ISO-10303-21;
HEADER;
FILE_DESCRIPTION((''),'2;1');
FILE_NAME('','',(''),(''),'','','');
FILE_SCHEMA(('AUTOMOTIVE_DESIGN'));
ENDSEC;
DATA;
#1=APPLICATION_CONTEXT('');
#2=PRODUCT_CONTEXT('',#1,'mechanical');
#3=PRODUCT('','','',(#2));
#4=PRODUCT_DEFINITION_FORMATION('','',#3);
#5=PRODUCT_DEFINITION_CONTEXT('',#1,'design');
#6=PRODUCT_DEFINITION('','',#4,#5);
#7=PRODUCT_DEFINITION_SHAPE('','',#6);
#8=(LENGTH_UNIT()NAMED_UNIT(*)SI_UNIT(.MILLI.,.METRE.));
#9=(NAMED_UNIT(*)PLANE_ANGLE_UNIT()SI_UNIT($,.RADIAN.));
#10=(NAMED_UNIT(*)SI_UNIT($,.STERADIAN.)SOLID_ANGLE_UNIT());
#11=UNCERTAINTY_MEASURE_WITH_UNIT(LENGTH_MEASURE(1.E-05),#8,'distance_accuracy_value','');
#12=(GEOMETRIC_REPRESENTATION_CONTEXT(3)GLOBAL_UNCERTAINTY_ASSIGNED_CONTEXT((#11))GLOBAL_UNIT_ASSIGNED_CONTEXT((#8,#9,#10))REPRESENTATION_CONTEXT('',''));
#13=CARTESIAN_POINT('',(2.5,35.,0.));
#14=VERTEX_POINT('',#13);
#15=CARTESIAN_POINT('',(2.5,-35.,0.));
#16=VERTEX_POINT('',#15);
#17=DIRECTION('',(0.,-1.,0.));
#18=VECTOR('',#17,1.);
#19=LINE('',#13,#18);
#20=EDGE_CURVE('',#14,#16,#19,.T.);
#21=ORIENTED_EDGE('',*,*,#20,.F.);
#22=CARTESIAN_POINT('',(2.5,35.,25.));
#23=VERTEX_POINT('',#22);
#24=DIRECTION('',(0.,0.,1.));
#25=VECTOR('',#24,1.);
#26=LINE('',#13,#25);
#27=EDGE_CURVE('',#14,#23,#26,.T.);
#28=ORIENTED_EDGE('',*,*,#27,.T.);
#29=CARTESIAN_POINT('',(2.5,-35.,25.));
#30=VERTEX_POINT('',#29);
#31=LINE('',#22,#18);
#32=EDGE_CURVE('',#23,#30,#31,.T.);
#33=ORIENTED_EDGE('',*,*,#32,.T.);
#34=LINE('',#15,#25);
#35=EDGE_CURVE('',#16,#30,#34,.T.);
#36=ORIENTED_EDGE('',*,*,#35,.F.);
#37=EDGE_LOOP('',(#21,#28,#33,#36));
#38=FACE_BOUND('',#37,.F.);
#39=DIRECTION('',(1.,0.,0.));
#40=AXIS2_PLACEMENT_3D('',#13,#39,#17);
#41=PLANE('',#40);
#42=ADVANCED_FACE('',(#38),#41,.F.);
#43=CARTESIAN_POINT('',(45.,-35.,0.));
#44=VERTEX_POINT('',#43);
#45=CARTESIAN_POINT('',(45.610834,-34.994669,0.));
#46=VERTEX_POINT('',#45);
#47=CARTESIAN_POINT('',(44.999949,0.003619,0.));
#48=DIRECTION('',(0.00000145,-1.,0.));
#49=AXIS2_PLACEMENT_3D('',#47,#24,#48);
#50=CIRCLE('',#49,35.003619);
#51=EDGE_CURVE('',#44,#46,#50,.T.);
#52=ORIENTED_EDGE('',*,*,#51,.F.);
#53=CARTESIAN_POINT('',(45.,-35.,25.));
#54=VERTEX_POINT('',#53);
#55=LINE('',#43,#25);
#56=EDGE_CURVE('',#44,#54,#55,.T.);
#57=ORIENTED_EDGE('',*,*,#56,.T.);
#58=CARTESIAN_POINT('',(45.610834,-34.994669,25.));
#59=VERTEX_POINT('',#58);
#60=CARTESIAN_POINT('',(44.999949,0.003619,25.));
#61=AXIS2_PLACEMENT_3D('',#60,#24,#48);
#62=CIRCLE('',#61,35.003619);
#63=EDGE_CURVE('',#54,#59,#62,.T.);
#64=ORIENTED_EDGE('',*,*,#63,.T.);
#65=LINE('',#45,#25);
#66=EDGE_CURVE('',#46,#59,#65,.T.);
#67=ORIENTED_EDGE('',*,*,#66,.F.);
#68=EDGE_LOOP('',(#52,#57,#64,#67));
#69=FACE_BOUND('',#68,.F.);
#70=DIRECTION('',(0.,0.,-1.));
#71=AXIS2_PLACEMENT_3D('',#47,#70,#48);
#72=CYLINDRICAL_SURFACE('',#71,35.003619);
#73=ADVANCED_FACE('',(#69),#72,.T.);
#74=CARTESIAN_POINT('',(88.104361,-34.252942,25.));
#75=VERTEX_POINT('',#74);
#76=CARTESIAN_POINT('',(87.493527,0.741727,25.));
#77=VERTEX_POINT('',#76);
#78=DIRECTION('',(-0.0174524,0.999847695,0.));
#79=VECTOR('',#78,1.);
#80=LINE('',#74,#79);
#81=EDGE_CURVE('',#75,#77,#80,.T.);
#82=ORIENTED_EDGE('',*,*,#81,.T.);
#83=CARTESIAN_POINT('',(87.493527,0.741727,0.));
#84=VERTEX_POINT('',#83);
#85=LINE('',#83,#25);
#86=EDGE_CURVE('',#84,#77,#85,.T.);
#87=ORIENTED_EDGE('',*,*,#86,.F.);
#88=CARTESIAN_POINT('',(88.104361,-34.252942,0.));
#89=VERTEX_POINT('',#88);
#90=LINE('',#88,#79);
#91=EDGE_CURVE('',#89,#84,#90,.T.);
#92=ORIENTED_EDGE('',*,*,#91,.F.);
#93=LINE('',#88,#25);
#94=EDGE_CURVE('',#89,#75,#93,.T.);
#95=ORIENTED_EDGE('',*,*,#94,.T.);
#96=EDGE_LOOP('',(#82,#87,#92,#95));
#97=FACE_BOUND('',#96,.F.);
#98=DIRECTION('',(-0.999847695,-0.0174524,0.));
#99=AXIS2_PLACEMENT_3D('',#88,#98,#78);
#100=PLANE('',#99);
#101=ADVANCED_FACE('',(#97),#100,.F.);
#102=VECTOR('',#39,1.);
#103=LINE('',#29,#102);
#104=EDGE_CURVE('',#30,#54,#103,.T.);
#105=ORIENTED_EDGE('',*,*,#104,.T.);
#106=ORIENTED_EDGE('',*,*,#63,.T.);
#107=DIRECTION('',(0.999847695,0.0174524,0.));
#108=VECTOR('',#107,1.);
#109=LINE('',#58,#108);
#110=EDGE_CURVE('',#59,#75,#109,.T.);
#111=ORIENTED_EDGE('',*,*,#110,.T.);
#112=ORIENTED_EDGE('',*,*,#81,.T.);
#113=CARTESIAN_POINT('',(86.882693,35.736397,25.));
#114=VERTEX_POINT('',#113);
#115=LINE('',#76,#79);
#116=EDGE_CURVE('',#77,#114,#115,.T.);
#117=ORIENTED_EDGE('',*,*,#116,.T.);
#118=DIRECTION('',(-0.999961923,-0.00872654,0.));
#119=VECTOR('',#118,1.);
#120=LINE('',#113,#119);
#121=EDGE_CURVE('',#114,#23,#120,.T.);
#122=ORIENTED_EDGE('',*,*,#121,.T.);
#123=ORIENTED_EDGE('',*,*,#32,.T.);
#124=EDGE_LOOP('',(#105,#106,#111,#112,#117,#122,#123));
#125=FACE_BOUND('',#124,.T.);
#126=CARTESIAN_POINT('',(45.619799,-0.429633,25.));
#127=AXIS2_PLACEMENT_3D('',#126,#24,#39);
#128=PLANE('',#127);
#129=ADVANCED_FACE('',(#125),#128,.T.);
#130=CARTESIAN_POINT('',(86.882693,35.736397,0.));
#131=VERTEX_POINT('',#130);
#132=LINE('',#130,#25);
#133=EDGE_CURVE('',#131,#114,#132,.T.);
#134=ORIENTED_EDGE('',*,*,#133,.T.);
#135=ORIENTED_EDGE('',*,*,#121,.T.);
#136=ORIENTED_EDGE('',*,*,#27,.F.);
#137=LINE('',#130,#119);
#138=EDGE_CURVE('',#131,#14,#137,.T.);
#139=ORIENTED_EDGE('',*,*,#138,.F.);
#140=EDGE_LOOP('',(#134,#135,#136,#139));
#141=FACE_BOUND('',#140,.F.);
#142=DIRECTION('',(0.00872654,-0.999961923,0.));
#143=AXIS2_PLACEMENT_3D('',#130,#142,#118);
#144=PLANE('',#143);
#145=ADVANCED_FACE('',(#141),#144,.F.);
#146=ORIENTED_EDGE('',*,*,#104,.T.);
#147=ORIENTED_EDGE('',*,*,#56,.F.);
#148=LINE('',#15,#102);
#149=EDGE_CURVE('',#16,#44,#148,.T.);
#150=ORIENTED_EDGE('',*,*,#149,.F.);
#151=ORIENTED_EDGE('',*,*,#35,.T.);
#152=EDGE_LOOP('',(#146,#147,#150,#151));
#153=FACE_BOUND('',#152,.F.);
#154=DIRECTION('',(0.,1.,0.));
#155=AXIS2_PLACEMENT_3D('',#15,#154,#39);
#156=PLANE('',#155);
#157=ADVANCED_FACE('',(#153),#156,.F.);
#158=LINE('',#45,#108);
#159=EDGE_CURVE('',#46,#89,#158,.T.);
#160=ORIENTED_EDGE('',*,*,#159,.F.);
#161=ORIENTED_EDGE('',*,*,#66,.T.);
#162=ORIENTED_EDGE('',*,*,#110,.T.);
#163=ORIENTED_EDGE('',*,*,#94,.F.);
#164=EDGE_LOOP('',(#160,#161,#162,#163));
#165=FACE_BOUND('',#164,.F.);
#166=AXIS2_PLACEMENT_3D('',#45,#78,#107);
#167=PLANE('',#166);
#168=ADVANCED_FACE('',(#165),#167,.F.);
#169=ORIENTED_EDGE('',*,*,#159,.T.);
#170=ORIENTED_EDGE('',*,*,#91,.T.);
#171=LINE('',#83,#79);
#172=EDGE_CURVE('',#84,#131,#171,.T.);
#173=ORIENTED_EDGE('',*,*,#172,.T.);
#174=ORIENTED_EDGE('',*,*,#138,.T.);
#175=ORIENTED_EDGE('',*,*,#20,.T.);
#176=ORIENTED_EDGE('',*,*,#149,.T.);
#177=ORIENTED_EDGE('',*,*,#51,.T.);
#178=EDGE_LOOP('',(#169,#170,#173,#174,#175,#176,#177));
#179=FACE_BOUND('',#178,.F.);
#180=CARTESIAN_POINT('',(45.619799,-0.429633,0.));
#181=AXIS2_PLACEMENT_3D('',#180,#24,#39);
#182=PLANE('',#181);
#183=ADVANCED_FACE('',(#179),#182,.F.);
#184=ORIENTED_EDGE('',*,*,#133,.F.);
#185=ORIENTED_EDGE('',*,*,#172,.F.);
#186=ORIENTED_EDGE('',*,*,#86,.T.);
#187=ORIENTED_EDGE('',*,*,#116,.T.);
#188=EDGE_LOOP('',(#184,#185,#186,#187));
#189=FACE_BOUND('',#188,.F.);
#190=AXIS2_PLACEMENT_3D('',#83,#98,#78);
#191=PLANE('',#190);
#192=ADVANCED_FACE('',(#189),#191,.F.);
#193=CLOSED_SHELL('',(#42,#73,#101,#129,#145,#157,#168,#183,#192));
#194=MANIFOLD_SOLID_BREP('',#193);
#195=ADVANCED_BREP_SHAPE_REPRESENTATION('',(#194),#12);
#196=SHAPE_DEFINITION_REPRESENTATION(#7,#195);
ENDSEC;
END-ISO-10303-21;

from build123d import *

# Parameters (mm, degrees)
F1_DEPTH = 25


with BuildPart() as f1:
    # F0 (on Top) → F1 (new body)
    with BuildSketch(Plane.XY):
        with BuildLine():
            Line((2.5, 35), (2.5, -35))
            Line((2.5, -35), (45, -35))
            ThreePointArc((45, -35), (20.251263, 24.748737), (80, 0))
            ThreePointArc((80, 0), (69.963766, -24.531824), (45.610834, -34.994669))
            Line((45.610834, -34.994669), (88.104361, -34.252942))
            Line((88.104361, -34.252942), (87.493527, 0.741727))
            Line((87.493527, 0.741727), (86.882693, 35.736397))
            Line((86.882693, 35.736397), (2.5, 35))
        make_face()
        with BuildLine():
            ThreePointArc((80, 0), (20.251263, 24.748737), (45, -35))
            ThreePointArc((45, -35), (45.305429, -34.998667), (45.610834, -34.994669))
            ThreePointArc((45.610834, -34.994669), (69.963766, -24.531824), (80, 0))
        make_face()
    extrude(amount=F1_DEPTH)


solid = f1.part
